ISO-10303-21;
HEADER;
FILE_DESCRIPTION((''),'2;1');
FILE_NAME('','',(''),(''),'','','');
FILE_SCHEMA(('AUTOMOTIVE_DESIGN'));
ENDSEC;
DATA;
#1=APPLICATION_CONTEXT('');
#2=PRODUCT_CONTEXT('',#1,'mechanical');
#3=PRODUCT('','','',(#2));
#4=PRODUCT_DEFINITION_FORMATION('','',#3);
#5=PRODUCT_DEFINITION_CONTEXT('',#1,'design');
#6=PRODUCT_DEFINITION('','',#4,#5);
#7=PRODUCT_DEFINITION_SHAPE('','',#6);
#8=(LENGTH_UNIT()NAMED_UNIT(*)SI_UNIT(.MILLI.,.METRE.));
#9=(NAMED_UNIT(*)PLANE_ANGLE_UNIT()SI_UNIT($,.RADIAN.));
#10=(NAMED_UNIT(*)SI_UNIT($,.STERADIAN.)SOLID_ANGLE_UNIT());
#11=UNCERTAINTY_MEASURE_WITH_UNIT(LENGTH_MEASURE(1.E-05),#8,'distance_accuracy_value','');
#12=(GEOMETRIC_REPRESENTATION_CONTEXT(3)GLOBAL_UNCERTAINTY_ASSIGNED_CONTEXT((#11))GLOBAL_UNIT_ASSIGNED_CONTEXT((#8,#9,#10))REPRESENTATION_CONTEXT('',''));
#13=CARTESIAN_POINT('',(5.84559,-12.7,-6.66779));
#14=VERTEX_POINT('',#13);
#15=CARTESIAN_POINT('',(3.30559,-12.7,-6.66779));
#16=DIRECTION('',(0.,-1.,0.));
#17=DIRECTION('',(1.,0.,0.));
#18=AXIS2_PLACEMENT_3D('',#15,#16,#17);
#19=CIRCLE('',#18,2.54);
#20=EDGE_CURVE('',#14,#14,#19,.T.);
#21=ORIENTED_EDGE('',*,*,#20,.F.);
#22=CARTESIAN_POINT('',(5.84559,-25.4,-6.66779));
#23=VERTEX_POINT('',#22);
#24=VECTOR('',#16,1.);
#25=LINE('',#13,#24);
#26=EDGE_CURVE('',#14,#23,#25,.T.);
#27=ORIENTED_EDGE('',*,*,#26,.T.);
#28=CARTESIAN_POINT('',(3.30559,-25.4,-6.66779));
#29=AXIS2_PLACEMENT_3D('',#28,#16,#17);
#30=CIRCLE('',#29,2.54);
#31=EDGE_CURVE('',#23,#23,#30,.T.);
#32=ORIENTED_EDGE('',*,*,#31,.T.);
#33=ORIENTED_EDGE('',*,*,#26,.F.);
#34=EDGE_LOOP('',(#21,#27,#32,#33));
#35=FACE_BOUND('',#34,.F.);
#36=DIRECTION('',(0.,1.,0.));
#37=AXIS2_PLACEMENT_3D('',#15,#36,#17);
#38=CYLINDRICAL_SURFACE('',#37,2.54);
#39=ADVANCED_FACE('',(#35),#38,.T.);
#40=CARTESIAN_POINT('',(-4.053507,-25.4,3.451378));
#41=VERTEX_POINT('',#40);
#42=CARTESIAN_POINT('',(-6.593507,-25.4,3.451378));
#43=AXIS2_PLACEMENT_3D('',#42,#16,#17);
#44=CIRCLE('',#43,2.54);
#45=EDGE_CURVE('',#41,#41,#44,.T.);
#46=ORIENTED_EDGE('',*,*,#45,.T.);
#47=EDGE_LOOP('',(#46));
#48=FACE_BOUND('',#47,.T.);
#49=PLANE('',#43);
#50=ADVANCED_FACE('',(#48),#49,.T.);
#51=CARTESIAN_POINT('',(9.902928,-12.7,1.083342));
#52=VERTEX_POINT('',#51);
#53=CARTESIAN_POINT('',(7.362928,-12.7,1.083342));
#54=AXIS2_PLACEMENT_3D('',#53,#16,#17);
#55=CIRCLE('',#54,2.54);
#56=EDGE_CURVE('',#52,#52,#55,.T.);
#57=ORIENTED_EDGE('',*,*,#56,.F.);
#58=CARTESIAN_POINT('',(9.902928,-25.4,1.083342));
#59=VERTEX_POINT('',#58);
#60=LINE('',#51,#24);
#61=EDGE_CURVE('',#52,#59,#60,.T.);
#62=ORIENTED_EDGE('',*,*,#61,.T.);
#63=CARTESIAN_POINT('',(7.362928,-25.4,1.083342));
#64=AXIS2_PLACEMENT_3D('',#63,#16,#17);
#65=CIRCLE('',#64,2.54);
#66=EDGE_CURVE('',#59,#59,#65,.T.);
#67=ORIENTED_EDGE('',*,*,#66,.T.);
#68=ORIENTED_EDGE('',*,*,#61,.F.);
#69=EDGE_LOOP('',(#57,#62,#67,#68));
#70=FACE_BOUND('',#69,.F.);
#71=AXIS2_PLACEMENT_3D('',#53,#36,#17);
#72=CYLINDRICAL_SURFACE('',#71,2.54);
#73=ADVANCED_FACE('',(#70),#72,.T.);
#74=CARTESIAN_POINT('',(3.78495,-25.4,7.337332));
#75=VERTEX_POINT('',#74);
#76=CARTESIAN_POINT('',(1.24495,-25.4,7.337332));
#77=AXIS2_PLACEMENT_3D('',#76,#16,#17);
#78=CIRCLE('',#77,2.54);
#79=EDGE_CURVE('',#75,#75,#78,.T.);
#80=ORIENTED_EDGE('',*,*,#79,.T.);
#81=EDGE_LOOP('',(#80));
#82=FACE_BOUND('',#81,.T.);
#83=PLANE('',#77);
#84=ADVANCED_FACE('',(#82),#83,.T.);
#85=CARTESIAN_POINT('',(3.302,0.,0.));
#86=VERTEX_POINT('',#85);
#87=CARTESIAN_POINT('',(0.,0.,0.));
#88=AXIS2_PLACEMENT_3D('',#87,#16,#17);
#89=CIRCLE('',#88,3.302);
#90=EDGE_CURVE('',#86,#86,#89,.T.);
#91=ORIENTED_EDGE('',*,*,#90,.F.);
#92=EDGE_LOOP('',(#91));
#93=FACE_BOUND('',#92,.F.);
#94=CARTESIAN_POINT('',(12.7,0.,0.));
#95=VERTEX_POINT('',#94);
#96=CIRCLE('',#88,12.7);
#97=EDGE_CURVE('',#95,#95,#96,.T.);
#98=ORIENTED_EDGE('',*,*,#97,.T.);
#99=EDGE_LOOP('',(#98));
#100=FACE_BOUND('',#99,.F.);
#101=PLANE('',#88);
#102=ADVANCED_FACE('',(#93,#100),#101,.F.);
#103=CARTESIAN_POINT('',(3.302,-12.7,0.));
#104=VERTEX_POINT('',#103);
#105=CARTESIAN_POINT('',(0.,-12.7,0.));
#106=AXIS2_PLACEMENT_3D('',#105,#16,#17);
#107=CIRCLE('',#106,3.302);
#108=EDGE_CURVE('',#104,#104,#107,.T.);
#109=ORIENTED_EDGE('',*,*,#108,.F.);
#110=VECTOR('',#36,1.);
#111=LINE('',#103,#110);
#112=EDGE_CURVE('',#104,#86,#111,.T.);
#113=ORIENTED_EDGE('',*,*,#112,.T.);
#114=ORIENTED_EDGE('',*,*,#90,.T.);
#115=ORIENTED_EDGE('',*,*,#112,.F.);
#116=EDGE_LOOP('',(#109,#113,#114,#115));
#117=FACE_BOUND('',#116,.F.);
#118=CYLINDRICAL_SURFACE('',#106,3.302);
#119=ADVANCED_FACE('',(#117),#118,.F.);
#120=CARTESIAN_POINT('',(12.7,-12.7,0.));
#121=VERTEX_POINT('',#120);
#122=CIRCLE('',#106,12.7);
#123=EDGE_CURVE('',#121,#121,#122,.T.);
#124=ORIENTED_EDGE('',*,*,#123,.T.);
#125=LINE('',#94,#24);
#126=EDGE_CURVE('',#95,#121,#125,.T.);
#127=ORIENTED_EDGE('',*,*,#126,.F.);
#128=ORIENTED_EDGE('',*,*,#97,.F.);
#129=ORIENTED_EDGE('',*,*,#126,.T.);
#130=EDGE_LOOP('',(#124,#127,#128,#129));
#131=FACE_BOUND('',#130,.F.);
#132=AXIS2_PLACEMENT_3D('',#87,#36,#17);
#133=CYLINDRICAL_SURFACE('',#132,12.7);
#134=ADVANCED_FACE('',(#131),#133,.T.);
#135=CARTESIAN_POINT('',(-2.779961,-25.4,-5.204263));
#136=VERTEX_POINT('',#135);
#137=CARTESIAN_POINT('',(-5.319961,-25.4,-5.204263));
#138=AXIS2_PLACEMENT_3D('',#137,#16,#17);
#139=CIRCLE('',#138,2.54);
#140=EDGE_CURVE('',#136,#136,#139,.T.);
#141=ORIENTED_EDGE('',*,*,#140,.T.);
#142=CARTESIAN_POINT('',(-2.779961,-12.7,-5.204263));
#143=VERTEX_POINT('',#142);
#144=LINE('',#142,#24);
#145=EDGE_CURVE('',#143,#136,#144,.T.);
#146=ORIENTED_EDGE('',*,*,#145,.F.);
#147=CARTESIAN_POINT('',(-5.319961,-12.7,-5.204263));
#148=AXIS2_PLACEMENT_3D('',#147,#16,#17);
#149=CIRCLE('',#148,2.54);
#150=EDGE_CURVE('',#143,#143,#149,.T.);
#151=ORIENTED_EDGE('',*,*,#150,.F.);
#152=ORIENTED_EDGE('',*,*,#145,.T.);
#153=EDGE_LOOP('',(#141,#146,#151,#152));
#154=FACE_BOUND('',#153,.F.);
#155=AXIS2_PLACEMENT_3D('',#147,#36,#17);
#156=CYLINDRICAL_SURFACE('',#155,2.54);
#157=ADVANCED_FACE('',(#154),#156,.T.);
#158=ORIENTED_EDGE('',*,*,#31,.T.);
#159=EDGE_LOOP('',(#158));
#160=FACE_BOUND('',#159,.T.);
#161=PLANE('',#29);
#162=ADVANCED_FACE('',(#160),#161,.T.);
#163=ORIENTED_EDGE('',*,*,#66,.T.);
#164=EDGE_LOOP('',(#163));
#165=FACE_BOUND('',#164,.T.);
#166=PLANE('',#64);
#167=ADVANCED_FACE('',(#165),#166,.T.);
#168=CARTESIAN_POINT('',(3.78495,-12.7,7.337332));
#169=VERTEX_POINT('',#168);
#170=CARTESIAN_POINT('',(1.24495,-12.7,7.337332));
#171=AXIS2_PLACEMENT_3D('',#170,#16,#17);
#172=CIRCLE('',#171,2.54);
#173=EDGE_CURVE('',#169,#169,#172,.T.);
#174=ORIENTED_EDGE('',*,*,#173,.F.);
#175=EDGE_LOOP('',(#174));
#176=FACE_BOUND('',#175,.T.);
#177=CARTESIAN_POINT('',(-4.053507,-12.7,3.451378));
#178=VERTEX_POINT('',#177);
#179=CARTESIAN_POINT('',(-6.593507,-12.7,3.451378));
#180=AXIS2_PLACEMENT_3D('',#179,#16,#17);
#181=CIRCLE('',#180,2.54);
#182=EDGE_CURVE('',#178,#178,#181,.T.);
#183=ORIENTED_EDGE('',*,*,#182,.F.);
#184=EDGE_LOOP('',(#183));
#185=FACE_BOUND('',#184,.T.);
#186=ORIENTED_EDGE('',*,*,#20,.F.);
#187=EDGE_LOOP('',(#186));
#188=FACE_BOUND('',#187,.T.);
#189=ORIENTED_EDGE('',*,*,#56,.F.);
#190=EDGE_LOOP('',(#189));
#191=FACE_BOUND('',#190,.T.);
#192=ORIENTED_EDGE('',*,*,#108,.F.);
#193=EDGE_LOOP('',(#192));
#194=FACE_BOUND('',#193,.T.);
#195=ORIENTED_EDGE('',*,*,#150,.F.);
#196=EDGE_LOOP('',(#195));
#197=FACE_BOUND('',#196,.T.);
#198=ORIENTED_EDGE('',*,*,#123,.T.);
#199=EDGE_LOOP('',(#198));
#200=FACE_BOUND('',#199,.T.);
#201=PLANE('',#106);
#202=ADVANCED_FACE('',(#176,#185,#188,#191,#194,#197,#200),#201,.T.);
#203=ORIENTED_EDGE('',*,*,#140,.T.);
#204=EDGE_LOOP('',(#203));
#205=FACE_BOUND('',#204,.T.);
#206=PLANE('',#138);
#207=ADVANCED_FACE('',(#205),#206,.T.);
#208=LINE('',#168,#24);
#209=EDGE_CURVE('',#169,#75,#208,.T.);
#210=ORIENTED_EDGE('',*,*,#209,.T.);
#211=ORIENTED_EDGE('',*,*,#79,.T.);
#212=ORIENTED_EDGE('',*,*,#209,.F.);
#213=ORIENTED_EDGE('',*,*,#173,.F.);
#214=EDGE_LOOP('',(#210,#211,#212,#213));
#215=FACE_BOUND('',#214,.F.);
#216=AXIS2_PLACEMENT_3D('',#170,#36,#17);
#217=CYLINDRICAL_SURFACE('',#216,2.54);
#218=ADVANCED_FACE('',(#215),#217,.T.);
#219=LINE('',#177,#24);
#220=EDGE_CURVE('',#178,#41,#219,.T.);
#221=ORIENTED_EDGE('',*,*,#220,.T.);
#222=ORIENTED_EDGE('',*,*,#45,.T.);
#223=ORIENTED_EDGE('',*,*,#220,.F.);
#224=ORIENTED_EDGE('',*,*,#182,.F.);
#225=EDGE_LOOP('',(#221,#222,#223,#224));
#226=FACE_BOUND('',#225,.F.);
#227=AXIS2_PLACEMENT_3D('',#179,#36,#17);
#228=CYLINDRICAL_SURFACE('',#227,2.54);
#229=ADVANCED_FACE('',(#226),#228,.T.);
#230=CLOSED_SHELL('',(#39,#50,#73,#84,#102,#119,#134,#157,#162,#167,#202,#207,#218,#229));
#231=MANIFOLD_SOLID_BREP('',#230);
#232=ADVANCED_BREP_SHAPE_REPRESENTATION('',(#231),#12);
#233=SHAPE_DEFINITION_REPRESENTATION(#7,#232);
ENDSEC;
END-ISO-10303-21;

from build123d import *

# Parameters (mm, degrees)
F0_R     = 12.7
F1_DEPTH = 12.7
F2_R     = 3.302
F3_DEPTH = 12.7
F4_R     = 2.54
F5_DEPTH = 12.7


with BuildPart() as f1:
    # F0 (on Front) → F1 (new body)
    with BuildSketch(Plane.XZ):
        Circle(F0_R)
    extrude(amount=F1_DEPTH)

    # F2 (on face) → F3 (cut)
    with BuildSketch(Plane.XZ.offset(12.7)):
        Circle(F2_R)
    extrude(amount=-F3_DEPTH, mode=Mode.SUBTRACT)

    # F4 (on face) → F5 (join)
    with BuildSketch(Plane.XZ.offset(12.7)):
        with Locations((1.24495, 7.337332)):
            Circle(F4_R)
        with Locations((-6.593507, 3.451378)):
            Circle(F4_R)
        with Locations((-5.319961, -5.204263)):
            Circle(F4_R)
        with Locations((3.30559, -6.66779)):
            Circle(F4_R)
        with Locations((7.362928, 1.083342)):
            Circle(F4_R)
    extrude(amount=F5_DEPTH)


solid = f1.part
